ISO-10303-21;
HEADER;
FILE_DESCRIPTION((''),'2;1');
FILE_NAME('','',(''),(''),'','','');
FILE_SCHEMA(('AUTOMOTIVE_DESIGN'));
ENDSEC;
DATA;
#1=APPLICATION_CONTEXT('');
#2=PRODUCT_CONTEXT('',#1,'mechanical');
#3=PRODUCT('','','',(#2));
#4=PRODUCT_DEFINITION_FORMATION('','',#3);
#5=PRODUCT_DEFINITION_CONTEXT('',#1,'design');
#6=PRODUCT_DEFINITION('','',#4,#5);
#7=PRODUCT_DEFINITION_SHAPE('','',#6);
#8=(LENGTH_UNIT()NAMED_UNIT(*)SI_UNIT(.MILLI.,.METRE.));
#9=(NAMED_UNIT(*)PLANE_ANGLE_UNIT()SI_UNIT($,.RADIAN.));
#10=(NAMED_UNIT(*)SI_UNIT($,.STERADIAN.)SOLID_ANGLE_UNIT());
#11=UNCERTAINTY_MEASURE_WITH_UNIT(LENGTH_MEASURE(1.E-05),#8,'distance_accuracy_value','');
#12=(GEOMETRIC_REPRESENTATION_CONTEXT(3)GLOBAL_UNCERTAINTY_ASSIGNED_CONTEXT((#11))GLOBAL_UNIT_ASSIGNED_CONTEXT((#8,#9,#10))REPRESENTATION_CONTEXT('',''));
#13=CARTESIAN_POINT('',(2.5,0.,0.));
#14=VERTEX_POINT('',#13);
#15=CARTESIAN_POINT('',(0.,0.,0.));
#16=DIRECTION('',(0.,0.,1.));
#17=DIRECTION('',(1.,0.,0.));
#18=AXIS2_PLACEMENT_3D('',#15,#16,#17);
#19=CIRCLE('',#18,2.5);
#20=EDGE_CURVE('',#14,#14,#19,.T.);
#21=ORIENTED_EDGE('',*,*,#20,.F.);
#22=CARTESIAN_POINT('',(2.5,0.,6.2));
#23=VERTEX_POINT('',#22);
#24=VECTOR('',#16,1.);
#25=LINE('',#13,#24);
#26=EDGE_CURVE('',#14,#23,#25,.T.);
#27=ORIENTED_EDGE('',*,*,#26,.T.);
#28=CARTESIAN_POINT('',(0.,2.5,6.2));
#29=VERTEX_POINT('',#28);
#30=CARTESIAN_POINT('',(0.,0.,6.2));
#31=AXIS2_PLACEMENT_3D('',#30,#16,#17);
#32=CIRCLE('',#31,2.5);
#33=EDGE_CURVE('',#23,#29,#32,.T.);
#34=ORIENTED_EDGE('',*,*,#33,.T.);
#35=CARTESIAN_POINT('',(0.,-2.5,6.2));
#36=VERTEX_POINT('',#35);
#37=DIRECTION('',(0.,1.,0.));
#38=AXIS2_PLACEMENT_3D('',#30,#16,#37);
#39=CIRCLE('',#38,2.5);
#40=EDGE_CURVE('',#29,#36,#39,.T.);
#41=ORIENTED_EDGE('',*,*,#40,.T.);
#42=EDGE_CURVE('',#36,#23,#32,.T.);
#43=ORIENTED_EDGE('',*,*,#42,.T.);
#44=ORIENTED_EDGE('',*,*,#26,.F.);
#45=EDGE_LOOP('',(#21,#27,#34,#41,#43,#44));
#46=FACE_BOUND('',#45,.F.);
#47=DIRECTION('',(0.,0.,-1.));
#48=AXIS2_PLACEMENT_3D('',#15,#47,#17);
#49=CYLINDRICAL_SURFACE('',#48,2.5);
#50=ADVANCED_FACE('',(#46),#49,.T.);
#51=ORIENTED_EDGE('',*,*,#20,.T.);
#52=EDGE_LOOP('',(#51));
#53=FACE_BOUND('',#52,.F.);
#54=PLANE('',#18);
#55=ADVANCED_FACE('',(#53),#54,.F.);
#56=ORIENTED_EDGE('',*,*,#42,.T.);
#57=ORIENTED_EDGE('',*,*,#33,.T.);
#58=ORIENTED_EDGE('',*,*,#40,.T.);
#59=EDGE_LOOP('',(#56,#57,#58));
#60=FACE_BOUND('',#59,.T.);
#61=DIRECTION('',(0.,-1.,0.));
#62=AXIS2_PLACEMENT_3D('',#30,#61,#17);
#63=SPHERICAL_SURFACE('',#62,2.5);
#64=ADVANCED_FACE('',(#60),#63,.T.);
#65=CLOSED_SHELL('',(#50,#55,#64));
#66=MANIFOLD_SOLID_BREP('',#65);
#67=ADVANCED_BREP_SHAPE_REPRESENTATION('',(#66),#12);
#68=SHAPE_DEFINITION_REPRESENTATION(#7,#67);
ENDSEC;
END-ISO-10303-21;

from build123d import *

# Parameters (mm, degrees)
SPHERE_ANGLE      = 180
CYLINDER184_R     = 2.5
CYLINDER184_DEPTH = 6.2


with BuildPart() as vd2_body_sphere:
    # Sphere → Sphere (revolve)
    with BuildSketch(Plane(origin=(0, 0, 6.2), x_dir=(1, 0, 0), z_dir=(0, 0, -1))):
        with BuildLine():
            ThreePointArc((0, -2.5), (2.5, 0), (0, 2.5))
            Line((0, 2.5), (0, -2.5))
        make_face()
    revolve(axis=Axis((0, 0, 6.2), (0, -1, 0)), revolution_arc=SPHERE_ANGLE)


with BuildPart() as vd2_body:
    # Cylinder184 → Cylinder184 (new body)
    with BuildSketch(Plane.XY):
        Circle(CYLINDER184_R)
    extrude(amount=CYLINDER184_DEPTH)

    # Fusion005: union VD2_Body_Sphere
    add(vd2_body_sphere.part)


solid = vd2_body.part
